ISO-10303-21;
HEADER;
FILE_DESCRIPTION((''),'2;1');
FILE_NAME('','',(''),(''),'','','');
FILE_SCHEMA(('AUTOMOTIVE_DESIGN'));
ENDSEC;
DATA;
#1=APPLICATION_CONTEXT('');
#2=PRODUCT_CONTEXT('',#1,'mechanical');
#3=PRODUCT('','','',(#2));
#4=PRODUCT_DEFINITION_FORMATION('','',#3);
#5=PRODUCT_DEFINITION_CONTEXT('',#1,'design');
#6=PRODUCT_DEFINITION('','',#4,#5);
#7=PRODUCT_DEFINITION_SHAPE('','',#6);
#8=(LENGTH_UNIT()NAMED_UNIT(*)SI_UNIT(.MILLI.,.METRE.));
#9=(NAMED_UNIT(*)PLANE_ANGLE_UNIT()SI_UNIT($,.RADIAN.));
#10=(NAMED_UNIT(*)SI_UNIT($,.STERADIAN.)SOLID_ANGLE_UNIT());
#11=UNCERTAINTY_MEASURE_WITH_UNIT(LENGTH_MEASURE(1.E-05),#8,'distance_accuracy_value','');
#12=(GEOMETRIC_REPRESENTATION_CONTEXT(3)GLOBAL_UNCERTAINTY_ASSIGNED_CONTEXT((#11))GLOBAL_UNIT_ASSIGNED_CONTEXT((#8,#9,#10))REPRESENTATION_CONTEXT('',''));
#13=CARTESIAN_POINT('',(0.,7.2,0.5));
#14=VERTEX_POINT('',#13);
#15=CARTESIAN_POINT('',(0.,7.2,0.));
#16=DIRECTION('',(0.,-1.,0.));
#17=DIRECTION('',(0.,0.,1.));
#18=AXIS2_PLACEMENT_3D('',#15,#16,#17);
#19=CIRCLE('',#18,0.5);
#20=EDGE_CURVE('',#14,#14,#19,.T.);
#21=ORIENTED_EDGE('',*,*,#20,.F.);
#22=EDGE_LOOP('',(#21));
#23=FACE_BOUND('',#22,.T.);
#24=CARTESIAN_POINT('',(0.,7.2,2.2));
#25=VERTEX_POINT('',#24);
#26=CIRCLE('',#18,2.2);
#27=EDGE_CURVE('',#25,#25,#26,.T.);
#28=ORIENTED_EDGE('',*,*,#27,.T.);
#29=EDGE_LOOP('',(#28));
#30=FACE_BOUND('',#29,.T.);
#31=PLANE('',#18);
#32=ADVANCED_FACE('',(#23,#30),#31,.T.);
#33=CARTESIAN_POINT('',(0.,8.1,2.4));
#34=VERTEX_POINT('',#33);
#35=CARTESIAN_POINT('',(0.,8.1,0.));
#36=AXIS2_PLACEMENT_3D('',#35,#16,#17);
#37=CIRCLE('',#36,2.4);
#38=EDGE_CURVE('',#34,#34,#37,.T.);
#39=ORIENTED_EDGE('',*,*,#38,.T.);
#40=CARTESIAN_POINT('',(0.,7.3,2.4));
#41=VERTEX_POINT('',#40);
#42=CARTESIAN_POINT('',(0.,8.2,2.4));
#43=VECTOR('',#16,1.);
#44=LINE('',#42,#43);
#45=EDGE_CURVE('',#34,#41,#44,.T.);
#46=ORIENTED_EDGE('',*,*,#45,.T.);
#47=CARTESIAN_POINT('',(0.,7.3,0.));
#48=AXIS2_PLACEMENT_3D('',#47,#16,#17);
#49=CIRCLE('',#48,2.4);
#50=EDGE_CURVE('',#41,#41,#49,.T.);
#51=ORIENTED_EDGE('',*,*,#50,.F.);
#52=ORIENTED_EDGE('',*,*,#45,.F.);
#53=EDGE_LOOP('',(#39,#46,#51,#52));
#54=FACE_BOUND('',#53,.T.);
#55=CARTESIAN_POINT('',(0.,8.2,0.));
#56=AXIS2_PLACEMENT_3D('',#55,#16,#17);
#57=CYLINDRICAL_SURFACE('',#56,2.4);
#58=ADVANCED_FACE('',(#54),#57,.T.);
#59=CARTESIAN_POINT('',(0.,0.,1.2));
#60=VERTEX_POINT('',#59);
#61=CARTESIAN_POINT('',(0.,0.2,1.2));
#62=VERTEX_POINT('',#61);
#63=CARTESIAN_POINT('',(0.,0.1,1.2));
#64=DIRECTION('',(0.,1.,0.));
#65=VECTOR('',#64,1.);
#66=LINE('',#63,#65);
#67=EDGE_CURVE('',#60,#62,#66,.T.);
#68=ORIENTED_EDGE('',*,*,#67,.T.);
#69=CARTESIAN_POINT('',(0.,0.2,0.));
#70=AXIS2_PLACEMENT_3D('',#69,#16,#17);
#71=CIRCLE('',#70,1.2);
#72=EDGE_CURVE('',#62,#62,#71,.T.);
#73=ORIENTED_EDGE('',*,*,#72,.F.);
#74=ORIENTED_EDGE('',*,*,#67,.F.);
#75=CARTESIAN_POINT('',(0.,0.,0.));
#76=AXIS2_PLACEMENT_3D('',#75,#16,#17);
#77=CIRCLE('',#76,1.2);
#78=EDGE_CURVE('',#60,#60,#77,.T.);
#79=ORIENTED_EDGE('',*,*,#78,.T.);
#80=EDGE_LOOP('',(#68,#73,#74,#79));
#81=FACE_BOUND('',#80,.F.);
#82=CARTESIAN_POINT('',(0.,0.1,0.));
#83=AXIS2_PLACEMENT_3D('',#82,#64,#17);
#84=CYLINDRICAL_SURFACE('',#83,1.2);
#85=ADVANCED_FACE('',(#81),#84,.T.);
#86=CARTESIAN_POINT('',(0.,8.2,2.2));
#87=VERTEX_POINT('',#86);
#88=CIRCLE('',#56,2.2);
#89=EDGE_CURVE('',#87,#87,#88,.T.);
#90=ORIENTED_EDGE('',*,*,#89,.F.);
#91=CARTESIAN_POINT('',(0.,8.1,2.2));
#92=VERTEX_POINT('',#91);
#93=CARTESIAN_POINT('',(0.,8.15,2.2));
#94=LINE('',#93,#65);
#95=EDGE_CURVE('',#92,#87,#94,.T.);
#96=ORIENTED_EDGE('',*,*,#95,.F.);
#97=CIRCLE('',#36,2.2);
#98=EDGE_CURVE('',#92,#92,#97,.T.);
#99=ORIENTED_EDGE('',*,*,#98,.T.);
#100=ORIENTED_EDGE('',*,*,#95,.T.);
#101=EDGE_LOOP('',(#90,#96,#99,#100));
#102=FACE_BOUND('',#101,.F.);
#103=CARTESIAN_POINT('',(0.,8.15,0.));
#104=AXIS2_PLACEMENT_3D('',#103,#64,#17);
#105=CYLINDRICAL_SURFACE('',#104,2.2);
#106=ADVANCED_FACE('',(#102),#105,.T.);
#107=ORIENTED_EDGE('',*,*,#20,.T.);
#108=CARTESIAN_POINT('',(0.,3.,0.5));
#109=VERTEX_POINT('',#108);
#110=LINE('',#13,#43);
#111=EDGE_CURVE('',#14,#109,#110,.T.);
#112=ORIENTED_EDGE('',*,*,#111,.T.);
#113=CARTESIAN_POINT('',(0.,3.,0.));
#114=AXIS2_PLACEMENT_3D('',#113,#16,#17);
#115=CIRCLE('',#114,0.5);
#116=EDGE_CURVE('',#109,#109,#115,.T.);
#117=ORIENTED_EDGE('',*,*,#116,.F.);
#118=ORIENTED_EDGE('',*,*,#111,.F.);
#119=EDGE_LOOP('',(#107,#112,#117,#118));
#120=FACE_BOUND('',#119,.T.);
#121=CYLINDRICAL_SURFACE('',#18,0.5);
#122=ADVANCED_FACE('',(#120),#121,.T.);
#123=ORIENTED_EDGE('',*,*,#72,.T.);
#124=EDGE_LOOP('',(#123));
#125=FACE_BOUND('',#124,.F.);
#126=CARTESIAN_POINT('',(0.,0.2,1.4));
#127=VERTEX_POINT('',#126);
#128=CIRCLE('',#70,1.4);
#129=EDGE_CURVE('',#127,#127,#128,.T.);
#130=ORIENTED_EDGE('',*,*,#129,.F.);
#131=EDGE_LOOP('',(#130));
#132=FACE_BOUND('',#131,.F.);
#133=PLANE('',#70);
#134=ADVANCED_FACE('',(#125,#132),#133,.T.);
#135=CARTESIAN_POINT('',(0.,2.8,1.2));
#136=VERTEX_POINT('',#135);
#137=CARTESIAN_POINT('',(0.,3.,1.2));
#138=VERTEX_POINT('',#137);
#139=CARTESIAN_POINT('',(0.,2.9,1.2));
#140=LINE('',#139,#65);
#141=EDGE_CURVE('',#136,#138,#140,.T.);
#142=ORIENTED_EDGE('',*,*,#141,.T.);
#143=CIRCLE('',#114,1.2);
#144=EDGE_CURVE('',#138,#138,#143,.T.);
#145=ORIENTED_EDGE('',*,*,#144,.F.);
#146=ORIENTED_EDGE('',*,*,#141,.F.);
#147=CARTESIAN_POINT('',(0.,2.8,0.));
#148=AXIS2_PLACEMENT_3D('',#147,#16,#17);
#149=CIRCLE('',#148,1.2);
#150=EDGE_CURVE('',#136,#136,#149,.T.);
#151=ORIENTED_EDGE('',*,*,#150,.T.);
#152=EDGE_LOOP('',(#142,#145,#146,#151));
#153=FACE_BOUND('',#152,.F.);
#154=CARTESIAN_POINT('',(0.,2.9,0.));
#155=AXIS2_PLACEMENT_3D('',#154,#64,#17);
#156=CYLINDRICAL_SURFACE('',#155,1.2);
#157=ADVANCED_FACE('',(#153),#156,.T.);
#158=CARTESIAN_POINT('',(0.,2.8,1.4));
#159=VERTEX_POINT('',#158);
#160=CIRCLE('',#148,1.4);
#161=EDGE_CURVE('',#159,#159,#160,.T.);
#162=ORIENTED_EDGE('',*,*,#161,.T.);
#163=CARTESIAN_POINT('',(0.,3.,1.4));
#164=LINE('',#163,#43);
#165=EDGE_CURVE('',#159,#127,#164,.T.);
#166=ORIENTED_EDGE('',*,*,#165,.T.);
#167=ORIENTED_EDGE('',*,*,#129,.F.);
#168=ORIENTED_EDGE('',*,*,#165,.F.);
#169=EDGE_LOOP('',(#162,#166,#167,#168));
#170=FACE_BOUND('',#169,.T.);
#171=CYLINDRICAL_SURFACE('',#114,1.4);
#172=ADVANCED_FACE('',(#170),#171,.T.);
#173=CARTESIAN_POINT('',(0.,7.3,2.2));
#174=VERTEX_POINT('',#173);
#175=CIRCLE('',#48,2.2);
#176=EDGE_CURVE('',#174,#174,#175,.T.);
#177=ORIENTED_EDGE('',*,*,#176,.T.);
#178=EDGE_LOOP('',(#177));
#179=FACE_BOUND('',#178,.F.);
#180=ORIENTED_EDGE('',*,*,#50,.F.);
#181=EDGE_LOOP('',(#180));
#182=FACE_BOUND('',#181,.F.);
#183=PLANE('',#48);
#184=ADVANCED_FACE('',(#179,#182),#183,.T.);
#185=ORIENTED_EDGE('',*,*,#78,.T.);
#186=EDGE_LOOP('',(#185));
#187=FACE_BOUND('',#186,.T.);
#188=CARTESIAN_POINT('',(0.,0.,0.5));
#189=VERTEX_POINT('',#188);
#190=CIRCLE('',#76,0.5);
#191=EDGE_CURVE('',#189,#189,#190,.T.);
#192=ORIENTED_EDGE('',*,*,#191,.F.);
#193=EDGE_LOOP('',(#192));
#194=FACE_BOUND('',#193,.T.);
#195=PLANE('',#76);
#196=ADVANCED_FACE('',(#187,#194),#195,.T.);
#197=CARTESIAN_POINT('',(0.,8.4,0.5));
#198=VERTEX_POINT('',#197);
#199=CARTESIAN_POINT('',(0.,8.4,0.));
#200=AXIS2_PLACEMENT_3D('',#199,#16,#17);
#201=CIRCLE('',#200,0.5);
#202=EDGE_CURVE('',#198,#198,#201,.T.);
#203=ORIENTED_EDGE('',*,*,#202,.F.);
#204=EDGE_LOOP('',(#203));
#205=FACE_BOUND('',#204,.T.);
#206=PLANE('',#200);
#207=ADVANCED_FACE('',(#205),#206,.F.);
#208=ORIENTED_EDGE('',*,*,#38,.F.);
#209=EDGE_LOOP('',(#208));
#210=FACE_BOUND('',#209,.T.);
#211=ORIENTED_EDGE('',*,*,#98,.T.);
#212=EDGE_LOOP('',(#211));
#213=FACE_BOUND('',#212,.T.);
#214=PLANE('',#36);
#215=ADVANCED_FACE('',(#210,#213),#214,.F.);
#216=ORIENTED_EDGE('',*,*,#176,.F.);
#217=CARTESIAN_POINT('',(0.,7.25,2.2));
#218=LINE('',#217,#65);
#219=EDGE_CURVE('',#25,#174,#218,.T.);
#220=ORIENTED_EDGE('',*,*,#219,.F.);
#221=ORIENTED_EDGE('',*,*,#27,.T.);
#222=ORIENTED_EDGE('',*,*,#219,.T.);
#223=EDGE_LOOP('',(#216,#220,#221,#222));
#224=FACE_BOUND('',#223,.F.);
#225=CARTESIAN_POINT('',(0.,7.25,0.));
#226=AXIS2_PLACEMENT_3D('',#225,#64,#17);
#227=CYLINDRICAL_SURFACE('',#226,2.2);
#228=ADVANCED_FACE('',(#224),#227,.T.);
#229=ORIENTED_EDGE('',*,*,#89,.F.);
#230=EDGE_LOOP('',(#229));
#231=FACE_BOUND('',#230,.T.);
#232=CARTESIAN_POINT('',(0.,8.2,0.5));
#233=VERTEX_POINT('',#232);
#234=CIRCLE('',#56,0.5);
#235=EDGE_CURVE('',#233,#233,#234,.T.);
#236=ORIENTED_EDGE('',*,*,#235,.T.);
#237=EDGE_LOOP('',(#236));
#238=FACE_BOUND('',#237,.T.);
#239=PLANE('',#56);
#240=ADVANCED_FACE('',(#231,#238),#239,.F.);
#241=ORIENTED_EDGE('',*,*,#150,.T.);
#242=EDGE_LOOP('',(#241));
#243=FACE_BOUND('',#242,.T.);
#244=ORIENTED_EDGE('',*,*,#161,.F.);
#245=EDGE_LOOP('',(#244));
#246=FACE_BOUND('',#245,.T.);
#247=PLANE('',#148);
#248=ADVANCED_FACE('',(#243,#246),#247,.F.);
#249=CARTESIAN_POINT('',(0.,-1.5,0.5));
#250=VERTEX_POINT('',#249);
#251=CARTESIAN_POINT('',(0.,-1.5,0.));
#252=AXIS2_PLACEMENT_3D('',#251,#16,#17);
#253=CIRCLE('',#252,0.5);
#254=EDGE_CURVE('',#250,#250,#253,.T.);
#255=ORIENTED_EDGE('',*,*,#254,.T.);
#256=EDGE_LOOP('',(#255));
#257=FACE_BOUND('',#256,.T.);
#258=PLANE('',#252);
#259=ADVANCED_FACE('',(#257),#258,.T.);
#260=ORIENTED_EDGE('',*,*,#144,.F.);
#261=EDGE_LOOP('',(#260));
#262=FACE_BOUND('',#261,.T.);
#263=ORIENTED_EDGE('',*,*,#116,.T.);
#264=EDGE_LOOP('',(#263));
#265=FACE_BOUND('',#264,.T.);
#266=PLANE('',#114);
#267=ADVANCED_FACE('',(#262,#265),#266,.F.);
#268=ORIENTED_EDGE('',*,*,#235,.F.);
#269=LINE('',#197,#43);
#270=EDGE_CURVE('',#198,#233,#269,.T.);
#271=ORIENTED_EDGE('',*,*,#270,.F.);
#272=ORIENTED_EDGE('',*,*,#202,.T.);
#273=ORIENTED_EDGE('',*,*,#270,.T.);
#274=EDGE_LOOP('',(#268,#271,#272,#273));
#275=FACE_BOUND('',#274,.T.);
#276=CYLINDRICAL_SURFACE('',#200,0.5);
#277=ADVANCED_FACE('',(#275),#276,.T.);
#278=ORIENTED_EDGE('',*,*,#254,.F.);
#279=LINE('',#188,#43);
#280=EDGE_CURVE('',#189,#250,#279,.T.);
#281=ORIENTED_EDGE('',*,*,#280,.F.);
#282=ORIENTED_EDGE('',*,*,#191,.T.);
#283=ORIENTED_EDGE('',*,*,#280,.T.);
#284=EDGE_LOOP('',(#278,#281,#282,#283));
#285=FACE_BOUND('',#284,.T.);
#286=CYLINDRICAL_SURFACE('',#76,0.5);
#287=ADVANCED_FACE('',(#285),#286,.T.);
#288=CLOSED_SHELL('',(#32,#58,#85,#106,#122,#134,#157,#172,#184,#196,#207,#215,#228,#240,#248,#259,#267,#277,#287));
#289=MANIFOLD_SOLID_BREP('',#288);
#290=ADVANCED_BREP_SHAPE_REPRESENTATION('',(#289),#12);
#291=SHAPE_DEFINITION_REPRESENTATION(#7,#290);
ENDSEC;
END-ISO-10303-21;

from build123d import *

# Parameters (mm, degrees)
F2_W = 0.2
F2_H = 0.2
F4_W = 0.1
F4_H = 0.2


with BuildPart() as f1:
    # F0 (on Right) → F1 (revolve)
    with BuildSketch(Plane.YZ):
        Polygon((-1.5, 0.5), (-1.5, 0), (8.4, 0), (8.4, 0.5), (8.2, 0.5), (8.2, 2.4), (7.2, 2.4), (7.2, 0.5), (3, 0.5), (3, 1.4), (0, 1.4), (0, 0.5), align=None)
    revolve(axis=Axis((0, 3.45, 0), (0, -1, 0)))

    # F2 (on Right) → F3 (revolve, cut)
    with BuildSketch(Plane.YZ):
        with Locations((2.9, 1.3)):
            Rectangle(F2_W, F2_H)
        with Locations((0.1, 1.3)):
            Rectangle(F2_W, F2_H)
    revolve(axis=Axis((0, 3.45, 0), (0, -1, 0)), mode=Mode.SUBTRACT)

    # F4 (on Right) → F5 (revolve, cut)
    with BuildSketch(Plane.YZ):
        with Locations((8.15, 2.3)):
            Rectangle(F4_W, F4_H)
        with Locations((7.25, 2.3)):
            Rectangle(F4_W, F4_H)
    revolve(axis=Axis((0, 3.45, 0), (0, -1, 0)), mode=Mode.SUBTRACT)


solid = f1.part
